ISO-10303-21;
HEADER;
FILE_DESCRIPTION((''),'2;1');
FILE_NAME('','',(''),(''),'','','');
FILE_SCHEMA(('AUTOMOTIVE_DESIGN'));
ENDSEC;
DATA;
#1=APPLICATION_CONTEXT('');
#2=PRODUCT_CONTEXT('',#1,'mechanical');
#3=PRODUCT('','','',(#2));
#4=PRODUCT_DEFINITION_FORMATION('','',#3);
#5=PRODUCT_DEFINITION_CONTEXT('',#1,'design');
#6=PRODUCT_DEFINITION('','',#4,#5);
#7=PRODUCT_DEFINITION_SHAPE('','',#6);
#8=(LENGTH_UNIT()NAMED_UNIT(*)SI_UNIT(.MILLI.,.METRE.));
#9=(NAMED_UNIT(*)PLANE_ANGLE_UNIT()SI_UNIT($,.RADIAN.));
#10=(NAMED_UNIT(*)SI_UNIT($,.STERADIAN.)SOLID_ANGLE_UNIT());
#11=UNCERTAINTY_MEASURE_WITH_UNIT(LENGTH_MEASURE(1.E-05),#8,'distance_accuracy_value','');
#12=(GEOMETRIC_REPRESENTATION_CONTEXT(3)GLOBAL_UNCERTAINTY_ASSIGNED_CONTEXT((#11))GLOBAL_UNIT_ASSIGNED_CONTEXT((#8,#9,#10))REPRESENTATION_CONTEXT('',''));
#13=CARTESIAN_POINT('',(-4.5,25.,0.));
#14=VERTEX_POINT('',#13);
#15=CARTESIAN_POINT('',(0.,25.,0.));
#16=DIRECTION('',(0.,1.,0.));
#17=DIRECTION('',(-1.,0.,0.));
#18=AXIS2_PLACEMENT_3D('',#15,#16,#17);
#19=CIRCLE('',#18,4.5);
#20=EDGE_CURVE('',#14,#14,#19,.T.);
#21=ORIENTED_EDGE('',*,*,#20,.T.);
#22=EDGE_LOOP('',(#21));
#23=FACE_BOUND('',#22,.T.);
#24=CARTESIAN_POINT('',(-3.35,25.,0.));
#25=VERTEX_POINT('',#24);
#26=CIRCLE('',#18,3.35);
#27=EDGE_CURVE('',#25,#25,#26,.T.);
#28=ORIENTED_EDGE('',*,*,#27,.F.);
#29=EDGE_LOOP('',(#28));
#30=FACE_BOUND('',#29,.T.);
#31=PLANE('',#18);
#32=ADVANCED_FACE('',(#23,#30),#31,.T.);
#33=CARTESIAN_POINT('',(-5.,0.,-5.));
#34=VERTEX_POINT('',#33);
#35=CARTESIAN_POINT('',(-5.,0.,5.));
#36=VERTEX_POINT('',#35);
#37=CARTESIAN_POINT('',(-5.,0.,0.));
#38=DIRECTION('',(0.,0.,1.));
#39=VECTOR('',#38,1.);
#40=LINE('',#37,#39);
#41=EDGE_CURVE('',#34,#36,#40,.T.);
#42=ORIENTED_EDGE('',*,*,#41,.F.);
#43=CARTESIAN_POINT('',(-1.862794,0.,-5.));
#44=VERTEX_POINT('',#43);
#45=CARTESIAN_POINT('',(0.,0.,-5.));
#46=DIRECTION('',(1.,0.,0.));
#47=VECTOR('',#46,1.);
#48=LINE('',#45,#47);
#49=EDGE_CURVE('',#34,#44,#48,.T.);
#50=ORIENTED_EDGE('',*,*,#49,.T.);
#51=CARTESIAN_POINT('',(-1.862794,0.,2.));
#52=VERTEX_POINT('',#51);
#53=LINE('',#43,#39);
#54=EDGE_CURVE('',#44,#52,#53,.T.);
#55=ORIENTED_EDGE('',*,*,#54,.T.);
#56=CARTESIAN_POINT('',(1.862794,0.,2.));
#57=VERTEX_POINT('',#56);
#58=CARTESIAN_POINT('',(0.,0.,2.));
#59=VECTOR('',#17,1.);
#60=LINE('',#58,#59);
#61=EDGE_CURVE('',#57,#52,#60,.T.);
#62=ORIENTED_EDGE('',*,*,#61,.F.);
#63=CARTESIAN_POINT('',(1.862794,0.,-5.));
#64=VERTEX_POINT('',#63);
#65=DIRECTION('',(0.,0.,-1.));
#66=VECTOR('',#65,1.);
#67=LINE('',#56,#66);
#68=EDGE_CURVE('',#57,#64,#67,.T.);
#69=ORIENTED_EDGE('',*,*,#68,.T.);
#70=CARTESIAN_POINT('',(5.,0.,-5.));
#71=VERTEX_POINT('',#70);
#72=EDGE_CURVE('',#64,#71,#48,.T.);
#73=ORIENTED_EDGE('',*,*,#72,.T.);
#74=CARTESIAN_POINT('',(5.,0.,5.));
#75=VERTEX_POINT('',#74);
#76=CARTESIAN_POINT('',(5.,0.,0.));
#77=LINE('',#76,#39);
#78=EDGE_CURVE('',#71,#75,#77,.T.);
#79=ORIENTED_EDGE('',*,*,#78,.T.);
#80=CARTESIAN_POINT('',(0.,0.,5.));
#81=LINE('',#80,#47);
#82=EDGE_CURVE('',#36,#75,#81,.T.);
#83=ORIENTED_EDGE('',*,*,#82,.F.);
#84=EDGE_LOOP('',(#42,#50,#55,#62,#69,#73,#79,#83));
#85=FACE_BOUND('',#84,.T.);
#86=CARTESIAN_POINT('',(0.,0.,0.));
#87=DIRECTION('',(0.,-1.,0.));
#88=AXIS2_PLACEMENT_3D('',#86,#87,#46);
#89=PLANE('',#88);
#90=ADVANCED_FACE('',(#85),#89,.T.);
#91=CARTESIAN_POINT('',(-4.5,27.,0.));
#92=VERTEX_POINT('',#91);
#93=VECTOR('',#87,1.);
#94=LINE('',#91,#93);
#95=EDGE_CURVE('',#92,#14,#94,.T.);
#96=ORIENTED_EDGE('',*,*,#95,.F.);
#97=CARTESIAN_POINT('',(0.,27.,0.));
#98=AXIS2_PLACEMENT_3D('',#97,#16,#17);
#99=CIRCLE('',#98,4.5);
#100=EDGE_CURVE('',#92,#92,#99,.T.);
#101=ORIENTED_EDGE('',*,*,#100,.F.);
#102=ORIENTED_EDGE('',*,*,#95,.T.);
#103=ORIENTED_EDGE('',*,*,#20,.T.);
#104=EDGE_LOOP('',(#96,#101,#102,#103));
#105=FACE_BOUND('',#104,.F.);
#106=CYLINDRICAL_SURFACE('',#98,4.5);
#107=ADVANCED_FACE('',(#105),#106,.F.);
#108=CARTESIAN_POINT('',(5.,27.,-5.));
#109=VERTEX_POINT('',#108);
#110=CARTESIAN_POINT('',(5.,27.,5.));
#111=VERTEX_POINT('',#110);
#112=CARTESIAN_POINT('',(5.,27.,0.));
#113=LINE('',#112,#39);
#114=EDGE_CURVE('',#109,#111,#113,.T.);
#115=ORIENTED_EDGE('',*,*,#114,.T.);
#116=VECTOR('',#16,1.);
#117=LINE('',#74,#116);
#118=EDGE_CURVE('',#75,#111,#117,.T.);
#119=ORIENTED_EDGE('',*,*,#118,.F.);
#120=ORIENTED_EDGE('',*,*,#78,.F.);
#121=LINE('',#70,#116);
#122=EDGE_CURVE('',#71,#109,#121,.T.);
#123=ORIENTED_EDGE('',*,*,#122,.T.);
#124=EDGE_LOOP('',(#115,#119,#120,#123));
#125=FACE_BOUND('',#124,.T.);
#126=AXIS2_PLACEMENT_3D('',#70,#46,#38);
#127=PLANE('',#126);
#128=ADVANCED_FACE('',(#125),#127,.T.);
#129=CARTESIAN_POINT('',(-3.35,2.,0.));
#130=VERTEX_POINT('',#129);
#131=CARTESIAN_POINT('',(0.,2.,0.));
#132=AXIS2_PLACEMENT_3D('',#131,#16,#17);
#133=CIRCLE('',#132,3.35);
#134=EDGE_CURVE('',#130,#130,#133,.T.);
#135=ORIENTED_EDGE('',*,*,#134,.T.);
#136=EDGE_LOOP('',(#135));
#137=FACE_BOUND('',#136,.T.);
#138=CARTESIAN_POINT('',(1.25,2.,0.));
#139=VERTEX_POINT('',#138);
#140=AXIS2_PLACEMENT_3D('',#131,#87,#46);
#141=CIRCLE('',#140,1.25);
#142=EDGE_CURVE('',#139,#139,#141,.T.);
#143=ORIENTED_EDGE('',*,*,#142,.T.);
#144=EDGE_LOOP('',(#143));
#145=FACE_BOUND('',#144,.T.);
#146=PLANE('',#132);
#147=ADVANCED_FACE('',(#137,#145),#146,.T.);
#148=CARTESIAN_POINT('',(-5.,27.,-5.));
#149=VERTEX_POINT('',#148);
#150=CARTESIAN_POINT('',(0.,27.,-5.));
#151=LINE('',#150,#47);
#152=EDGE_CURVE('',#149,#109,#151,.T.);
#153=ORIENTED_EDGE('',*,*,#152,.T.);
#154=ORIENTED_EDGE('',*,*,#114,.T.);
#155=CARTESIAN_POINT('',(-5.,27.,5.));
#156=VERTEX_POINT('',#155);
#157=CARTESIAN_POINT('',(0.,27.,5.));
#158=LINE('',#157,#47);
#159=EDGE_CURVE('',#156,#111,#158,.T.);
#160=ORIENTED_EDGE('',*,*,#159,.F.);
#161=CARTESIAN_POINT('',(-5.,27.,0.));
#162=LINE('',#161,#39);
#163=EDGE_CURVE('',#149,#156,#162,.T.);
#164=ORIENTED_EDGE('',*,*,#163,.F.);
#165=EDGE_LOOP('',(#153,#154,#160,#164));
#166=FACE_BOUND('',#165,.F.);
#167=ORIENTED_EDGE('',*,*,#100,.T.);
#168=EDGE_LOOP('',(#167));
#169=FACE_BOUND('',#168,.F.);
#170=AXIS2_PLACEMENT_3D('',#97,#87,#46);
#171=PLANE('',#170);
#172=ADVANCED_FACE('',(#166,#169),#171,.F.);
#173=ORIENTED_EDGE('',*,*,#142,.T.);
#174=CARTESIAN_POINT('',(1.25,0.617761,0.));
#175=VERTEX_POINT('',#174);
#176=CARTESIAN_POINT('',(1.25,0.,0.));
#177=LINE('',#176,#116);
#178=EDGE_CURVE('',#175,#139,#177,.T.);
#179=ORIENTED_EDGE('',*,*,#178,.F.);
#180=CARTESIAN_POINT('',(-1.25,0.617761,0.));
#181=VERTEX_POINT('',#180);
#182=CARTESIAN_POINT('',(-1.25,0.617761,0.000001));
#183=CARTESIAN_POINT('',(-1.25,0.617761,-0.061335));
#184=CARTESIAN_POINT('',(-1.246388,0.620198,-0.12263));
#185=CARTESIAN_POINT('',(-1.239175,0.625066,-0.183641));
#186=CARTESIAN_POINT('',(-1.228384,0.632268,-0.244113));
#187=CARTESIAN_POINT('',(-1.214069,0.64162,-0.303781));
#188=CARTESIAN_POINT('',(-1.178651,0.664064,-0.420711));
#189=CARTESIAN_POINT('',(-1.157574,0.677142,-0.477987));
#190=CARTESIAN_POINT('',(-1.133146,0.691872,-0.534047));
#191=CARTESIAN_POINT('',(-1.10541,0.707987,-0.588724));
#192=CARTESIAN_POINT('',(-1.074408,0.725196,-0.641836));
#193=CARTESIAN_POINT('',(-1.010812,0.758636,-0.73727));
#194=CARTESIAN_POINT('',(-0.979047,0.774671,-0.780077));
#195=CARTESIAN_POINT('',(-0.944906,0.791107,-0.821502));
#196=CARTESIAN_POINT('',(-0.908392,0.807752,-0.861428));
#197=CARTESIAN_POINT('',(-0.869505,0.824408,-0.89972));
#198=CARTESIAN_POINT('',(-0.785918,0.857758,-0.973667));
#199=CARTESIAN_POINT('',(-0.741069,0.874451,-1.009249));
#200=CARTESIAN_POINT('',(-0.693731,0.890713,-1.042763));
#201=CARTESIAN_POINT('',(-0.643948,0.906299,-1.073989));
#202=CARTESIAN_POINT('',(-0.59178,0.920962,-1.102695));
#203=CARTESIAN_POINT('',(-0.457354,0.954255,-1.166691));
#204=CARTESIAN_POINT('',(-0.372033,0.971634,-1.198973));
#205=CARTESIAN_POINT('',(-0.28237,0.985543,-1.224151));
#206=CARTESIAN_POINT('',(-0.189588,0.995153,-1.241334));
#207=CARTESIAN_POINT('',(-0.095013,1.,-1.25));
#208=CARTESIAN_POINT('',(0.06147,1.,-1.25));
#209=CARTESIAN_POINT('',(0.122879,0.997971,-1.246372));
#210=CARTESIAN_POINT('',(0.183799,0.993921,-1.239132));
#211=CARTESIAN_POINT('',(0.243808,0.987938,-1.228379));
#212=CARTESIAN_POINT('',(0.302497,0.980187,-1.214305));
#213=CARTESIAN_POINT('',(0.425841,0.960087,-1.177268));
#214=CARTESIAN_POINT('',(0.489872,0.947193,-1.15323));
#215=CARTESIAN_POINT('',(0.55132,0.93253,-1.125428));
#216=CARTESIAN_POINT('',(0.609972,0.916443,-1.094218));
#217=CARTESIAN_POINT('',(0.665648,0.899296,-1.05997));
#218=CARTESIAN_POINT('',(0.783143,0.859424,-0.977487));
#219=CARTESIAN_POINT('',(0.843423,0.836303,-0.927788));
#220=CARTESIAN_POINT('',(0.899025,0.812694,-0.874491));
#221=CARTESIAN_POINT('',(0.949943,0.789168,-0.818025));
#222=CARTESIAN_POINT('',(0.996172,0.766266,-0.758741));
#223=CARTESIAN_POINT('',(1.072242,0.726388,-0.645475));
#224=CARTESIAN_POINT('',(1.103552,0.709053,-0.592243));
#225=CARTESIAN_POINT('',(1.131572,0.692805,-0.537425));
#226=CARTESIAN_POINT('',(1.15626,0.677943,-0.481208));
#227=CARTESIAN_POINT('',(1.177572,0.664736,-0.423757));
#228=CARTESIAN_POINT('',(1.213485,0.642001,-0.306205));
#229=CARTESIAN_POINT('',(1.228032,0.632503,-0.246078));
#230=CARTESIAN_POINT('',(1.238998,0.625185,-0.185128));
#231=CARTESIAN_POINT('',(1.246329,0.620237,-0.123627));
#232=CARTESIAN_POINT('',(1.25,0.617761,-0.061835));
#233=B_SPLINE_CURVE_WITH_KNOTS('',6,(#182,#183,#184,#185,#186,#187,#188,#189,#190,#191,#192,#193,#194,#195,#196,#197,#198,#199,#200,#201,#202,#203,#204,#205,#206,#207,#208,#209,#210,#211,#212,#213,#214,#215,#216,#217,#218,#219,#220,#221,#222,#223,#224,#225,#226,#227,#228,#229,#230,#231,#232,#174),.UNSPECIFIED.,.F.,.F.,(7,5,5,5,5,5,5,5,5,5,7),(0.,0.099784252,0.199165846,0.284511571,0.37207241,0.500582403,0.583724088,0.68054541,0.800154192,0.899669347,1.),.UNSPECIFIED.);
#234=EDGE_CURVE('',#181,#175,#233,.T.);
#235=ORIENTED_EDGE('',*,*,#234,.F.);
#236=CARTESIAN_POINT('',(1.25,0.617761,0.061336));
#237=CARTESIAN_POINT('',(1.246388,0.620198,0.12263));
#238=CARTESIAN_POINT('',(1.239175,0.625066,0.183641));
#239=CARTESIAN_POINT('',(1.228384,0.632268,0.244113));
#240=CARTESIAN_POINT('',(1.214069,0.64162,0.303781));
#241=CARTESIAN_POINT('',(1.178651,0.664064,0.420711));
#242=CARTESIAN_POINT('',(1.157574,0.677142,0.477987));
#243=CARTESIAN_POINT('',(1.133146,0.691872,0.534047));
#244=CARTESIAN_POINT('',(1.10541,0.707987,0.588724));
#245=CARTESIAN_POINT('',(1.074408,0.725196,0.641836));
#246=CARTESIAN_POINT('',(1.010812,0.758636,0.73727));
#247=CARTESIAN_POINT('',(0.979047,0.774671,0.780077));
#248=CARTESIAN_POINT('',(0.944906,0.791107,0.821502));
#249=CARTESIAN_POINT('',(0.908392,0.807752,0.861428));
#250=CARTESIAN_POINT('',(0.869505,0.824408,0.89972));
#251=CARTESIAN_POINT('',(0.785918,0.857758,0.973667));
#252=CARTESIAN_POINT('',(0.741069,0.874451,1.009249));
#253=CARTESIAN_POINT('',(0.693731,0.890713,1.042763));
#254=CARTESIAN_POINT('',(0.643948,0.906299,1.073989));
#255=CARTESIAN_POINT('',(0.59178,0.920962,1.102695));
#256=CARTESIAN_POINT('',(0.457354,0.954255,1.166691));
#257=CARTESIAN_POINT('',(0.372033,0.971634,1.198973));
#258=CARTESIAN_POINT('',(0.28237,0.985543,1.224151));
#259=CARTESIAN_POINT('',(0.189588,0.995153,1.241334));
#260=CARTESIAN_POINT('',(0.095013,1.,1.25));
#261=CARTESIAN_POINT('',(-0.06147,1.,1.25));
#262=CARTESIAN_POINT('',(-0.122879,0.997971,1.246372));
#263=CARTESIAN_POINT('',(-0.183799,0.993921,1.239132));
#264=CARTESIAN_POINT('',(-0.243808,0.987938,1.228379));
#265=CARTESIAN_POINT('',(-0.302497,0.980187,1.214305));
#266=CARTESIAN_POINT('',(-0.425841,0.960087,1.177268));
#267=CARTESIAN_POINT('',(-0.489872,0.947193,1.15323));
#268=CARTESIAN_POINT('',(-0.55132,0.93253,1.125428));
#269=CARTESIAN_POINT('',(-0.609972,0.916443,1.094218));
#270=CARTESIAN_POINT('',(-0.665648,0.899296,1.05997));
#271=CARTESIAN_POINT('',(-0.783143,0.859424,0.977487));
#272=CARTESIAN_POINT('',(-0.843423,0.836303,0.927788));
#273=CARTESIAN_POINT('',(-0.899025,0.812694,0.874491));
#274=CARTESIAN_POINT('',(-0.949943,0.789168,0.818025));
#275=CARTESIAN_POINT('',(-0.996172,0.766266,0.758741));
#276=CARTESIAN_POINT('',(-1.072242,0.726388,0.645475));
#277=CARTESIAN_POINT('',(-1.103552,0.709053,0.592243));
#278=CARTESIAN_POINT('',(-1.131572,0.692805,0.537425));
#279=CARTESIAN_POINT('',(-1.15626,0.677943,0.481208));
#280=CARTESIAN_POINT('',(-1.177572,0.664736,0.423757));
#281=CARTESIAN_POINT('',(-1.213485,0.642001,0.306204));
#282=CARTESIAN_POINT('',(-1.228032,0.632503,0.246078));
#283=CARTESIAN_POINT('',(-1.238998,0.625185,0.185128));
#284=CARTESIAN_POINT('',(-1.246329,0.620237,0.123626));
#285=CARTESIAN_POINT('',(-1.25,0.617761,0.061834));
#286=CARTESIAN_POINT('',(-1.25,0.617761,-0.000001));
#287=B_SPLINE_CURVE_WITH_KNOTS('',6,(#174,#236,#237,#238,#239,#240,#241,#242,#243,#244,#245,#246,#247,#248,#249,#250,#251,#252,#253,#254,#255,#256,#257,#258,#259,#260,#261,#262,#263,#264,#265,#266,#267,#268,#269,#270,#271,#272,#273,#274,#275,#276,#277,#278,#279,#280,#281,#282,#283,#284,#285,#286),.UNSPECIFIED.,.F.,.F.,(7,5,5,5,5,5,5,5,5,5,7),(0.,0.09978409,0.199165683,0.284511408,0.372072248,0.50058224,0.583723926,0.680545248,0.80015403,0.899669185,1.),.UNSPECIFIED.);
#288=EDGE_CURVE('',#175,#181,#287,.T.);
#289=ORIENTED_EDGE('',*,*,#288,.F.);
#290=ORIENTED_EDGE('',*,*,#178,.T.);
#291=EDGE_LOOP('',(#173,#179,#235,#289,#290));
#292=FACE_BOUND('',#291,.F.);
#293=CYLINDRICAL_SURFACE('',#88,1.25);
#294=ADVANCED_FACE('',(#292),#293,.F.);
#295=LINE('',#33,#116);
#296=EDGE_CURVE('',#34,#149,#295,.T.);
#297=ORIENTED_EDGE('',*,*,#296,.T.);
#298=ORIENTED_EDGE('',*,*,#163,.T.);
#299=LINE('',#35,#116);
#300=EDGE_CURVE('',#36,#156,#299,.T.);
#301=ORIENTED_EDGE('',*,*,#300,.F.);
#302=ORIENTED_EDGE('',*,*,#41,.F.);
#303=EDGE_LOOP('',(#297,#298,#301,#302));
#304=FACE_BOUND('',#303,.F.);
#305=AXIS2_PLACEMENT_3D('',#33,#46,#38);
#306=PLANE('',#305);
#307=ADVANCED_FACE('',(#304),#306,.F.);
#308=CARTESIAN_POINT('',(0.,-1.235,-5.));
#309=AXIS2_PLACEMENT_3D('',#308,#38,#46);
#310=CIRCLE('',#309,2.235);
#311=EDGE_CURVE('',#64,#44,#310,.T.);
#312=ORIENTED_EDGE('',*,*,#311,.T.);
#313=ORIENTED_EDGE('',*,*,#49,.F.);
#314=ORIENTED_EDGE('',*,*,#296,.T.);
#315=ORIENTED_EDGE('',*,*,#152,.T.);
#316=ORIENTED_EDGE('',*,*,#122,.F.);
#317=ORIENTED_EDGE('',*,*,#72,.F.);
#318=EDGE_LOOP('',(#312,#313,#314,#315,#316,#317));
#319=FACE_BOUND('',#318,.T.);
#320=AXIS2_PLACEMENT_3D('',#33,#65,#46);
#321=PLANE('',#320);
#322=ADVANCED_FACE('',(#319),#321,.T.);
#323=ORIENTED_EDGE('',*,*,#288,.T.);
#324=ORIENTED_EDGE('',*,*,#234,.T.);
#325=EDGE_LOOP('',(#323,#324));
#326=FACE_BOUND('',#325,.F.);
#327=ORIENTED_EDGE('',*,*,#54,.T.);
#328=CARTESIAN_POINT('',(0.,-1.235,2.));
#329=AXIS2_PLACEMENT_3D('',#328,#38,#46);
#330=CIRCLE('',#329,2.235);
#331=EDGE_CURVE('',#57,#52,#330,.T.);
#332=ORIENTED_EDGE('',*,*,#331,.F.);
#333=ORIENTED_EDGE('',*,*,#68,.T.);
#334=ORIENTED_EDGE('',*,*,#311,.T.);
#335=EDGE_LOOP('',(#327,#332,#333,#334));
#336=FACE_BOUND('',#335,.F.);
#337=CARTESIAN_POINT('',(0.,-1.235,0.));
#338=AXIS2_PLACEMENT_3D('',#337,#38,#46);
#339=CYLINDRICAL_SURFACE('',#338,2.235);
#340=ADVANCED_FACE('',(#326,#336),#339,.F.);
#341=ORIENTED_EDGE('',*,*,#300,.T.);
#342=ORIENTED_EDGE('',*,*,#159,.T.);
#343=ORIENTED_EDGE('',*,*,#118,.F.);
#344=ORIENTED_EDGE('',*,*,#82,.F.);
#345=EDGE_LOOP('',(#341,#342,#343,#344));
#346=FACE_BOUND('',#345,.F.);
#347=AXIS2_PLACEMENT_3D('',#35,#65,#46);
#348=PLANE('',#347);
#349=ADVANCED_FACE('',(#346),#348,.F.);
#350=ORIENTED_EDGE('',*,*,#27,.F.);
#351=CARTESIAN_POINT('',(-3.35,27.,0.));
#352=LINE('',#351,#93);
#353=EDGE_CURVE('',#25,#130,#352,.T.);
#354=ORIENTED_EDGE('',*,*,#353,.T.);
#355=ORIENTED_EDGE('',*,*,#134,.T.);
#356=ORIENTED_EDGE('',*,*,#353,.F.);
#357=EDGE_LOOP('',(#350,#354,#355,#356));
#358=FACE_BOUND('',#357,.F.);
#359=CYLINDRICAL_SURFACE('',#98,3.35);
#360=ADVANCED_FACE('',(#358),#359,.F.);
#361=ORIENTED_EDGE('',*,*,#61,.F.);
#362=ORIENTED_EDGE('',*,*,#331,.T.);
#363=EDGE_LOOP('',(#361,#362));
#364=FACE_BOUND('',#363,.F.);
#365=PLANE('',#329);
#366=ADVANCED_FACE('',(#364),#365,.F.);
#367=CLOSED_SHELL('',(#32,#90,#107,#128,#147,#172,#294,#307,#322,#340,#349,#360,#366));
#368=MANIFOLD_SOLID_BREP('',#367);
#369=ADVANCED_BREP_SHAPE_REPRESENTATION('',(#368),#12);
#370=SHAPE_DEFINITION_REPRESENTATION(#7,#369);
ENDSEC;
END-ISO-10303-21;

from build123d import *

# Parameters (mm, degrees)
F0_W      = 10
F0_H      = 10
F1_DEPTH  = 27
F2_R      = 1.25
F3_DEPTH  = 25
F4_R      = 2.235
F5_DEPTH  = 25
F6_DEPTH  = 2
F7_R      = 3.35
F8_DEPTH  = 25
F9_R      = 4.5
F10_DEPTH = 2


with BuildPart() as f1:
    # F0 (on Front) → F1 (new body)
    with BuildSketch(Plane.XZ):
        Rectangle(F0_W, F0_H)
    extrude(amount=-F1_DEPTH)

    # F2 (on face) → F3 (cut)
    with BuildSketch(Plane.XZ):
        Circle(F2_R)
    extrude(amount=-F3_DEPTH, mode=Mode.SUBTRACT)

    # F4 (on Top) → F5 (cut)
    with BuildSketch(Plane.XY):
        with Locations((0, -1.235)):
            Circle(F4_R)
    extrude(amount=-F5_DEPTH, mode=Mode.SUBTRACT)

    # F4 (on Top) → F6 (cut)
    with BuildSketch(Plane.XY):
        with Locations((0, -1.235)):
            Circle(F4_R)
    extrude(amount=F6_DEPTH, mode=Mode.SUBTRACT)

    # F7 (on face) → F8 (cut)
    with BuildSketch(Plane(origin=(0, 27, 0), x_dir=(-1, 0, 0), z_dir=(0, 1, 0))):
        Circle(F7_R)
    extrude(amount=-F8_DEPTH, mode=Mode.SUBTRACT)

    # F9 (on face) → F10 (cut)
    with BuildSketch(Plane(origin=(0, 27, 0), x_dir=(-1, 0, 0), z_dir=(0, 1, 0))):
        Circle(F9_R)
    extrude(amount=-F10_DEPTH, mode=Mode.SUBTRACT)


solid = f1.part
